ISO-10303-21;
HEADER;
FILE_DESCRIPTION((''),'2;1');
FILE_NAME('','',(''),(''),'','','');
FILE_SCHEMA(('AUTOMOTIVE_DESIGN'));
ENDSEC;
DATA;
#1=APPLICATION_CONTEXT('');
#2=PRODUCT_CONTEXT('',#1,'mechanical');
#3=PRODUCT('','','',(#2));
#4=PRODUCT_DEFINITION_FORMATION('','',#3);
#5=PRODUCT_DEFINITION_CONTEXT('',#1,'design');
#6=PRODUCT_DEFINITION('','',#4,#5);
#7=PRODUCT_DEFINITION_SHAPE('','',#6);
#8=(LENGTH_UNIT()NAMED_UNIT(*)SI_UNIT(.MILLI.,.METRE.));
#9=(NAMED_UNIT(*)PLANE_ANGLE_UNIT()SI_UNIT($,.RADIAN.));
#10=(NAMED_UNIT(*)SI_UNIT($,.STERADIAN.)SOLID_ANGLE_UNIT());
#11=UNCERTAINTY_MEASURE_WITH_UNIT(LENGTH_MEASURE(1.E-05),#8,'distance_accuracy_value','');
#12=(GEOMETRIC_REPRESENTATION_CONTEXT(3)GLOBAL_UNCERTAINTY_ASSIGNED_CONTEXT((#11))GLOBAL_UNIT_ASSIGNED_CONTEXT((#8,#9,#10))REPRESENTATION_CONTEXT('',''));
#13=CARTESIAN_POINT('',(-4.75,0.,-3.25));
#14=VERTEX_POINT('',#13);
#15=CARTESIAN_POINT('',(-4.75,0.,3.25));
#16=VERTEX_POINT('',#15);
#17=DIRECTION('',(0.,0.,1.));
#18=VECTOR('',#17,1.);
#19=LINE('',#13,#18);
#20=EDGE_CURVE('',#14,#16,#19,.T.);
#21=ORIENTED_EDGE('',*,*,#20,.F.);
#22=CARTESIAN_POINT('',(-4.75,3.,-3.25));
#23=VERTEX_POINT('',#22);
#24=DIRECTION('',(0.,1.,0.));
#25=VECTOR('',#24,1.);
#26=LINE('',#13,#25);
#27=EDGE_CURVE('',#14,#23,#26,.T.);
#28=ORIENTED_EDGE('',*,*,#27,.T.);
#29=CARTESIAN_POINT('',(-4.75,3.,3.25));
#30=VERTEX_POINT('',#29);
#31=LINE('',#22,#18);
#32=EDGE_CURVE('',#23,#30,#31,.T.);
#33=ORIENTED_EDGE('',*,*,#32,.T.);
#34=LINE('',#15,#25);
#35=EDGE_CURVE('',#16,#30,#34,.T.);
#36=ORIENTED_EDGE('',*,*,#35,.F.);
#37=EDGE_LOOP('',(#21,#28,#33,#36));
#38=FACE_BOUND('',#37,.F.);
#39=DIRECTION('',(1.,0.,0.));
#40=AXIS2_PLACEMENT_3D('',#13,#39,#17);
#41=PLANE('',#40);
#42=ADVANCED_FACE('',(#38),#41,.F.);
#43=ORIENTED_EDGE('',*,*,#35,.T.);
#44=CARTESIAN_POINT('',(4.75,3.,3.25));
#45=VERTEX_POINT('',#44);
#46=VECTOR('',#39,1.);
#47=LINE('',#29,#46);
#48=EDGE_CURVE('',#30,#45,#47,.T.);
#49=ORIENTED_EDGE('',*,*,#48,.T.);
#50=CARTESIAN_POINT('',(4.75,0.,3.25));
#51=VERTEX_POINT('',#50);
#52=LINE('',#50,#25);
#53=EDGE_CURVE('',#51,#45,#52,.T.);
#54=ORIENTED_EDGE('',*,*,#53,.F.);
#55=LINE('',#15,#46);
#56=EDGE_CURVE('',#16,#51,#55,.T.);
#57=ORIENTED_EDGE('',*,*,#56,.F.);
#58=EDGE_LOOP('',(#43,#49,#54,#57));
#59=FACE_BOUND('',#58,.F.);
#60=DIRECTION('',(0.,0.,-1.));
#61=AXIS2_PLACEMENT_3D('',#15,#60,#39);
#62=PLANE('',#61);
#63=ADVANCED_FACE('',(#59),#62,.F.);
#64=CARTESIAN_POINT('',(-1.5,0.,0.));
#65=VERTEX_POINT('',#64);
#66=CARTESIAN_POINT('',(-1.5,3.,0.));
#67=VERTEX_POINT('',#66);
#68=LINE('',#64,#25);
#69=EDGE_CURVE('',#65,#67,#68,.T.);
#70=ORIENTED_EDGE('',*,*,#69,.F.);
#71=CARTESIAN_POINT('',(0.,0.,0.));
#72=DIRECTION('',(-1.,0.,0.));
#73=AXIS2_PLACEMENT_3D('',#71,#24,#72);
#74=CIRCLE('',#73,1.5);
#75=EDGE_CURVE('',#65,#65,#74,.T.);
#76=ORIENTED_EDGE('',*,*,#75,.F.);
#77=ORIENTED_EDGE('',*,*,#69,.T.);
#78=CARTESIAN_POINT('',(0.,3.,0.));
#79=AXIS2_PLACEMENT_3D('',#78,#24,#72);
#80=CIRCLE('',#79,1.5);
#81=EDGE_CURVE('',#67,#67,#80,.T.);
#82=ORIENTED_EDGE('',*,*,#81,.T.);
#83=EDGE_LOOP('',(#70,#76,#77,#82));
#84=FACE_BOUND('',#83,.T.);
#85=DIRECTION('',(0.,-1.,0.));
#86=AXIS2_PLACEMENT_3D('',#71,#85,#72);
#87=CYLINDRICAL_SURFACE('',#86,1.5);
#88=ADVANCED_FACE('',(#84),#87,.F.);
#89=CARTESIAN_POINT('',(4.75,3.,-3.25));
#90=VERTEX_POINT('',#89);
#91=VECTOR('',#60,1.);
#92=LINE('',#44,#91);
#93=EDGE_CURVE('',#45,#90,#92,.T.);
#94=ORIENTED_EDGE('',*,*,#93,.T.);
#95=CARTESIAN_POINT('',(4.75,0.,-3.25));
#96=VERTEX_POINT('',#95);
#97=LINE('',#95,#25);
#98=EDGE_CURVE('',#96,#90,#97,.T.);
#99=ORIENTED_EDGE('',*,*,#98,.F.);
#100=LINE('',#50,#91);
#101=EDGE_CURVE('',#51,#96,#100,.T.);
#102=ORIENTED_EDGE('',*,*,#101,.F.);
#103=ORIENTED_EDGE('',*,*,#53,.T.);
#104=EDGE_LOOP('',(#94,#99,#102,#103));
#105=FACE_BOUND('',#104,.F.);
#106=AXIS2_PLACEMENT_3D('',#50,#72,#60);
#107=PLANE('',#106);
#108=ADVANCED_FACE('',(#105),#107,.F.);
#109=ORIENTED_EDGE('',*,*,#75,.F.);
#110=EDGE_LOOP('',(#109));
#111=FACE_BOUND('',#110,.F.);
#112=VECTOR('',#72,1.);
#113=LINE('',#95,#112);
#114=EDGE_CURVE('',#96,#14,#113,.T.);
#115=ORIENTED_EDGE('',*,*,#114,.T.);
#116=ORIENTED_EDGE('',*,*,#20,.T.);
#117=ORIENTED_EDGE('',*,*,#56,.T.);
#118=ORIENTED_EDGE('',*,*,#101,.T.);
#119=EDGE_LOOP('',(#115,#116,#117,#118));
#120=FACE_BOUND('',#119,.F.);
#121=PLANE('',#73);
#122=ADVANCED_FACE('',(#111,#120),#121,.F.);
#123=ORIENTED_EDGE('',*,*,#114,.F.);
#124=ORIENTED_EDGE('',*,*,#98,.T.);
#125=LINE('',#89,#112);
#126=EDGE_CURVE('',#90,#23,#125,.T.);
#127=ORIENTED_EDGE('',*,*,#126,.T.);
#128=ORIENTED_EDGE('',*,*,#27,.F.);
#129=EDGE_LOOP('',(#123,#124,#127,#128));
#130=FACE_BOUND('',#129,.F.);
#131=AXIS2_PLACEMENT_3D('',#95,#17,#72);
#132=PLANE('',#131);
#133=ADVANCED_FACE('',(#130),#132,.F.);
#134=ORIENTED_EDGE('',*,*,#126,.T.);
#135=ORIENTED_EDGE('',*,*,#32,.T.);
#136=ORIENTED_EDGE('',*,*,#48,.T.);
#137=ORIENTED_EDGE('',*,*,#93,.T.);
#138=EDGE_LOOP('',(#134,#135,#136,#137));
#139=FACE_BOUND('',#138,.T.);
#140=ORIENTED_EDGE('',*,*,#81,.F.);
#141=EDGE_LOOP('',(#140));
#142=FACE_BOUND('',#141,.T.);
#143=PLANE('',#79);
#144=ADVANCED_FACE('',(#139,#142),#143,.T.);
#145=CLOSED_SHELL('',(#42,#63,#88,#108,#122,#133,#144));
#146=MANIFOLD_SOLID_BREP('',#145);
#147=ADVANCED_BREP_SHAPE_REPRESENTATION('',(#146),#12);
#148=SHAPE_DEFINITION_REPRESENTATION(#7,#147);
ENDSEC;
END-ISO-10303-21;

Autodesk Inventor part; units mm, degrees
ref_plane "YZ Plane" through (0, 0, 0) normal (1, 0, 0) x (0, 1, 0)
ref_plane "XZ Plane" through (0, 0, 0) normal (0, 1, 0) x (-1, 0, 0)
ref_plane "XY Plane" through (0, 0, 0) normal (0, 0, 1) x (1, 0, 0)
sketch "Sketch1" plane through (0, 0, 0) normal (0, 1, 0) x (-1, 0, 0)
  line L0 (4.75, 3.25) -> (-4.75, 3.25)
  line L1 (-4.75, 3.25) -> (-4.75, -3.25)
  line L2 (-4.75, -3.25) -> (4.75, -3.25)
  line L3 (4.75, -3.25) -> (4.75, 3.25)
  line L4 (4.75, 3.25) -> (-4.75, -3.25) construction
  line L5 (-4.75, 3.25) -> (4.75, -3.25) construction
  circle A0 centre (0, 0) radius 1.5
  dimension "d0" = 9.5
  dimension "d1" = 6.5
  dimension "d2" = 3
extrude "Extrusion1" add sketch "Sketch1" along normal blind 3
thread "Thread1" size "M3x0.5" class "6H" standard "ANSI Metric M Profile" full length
properties material "Brass, Soft Yellow, Welded"
